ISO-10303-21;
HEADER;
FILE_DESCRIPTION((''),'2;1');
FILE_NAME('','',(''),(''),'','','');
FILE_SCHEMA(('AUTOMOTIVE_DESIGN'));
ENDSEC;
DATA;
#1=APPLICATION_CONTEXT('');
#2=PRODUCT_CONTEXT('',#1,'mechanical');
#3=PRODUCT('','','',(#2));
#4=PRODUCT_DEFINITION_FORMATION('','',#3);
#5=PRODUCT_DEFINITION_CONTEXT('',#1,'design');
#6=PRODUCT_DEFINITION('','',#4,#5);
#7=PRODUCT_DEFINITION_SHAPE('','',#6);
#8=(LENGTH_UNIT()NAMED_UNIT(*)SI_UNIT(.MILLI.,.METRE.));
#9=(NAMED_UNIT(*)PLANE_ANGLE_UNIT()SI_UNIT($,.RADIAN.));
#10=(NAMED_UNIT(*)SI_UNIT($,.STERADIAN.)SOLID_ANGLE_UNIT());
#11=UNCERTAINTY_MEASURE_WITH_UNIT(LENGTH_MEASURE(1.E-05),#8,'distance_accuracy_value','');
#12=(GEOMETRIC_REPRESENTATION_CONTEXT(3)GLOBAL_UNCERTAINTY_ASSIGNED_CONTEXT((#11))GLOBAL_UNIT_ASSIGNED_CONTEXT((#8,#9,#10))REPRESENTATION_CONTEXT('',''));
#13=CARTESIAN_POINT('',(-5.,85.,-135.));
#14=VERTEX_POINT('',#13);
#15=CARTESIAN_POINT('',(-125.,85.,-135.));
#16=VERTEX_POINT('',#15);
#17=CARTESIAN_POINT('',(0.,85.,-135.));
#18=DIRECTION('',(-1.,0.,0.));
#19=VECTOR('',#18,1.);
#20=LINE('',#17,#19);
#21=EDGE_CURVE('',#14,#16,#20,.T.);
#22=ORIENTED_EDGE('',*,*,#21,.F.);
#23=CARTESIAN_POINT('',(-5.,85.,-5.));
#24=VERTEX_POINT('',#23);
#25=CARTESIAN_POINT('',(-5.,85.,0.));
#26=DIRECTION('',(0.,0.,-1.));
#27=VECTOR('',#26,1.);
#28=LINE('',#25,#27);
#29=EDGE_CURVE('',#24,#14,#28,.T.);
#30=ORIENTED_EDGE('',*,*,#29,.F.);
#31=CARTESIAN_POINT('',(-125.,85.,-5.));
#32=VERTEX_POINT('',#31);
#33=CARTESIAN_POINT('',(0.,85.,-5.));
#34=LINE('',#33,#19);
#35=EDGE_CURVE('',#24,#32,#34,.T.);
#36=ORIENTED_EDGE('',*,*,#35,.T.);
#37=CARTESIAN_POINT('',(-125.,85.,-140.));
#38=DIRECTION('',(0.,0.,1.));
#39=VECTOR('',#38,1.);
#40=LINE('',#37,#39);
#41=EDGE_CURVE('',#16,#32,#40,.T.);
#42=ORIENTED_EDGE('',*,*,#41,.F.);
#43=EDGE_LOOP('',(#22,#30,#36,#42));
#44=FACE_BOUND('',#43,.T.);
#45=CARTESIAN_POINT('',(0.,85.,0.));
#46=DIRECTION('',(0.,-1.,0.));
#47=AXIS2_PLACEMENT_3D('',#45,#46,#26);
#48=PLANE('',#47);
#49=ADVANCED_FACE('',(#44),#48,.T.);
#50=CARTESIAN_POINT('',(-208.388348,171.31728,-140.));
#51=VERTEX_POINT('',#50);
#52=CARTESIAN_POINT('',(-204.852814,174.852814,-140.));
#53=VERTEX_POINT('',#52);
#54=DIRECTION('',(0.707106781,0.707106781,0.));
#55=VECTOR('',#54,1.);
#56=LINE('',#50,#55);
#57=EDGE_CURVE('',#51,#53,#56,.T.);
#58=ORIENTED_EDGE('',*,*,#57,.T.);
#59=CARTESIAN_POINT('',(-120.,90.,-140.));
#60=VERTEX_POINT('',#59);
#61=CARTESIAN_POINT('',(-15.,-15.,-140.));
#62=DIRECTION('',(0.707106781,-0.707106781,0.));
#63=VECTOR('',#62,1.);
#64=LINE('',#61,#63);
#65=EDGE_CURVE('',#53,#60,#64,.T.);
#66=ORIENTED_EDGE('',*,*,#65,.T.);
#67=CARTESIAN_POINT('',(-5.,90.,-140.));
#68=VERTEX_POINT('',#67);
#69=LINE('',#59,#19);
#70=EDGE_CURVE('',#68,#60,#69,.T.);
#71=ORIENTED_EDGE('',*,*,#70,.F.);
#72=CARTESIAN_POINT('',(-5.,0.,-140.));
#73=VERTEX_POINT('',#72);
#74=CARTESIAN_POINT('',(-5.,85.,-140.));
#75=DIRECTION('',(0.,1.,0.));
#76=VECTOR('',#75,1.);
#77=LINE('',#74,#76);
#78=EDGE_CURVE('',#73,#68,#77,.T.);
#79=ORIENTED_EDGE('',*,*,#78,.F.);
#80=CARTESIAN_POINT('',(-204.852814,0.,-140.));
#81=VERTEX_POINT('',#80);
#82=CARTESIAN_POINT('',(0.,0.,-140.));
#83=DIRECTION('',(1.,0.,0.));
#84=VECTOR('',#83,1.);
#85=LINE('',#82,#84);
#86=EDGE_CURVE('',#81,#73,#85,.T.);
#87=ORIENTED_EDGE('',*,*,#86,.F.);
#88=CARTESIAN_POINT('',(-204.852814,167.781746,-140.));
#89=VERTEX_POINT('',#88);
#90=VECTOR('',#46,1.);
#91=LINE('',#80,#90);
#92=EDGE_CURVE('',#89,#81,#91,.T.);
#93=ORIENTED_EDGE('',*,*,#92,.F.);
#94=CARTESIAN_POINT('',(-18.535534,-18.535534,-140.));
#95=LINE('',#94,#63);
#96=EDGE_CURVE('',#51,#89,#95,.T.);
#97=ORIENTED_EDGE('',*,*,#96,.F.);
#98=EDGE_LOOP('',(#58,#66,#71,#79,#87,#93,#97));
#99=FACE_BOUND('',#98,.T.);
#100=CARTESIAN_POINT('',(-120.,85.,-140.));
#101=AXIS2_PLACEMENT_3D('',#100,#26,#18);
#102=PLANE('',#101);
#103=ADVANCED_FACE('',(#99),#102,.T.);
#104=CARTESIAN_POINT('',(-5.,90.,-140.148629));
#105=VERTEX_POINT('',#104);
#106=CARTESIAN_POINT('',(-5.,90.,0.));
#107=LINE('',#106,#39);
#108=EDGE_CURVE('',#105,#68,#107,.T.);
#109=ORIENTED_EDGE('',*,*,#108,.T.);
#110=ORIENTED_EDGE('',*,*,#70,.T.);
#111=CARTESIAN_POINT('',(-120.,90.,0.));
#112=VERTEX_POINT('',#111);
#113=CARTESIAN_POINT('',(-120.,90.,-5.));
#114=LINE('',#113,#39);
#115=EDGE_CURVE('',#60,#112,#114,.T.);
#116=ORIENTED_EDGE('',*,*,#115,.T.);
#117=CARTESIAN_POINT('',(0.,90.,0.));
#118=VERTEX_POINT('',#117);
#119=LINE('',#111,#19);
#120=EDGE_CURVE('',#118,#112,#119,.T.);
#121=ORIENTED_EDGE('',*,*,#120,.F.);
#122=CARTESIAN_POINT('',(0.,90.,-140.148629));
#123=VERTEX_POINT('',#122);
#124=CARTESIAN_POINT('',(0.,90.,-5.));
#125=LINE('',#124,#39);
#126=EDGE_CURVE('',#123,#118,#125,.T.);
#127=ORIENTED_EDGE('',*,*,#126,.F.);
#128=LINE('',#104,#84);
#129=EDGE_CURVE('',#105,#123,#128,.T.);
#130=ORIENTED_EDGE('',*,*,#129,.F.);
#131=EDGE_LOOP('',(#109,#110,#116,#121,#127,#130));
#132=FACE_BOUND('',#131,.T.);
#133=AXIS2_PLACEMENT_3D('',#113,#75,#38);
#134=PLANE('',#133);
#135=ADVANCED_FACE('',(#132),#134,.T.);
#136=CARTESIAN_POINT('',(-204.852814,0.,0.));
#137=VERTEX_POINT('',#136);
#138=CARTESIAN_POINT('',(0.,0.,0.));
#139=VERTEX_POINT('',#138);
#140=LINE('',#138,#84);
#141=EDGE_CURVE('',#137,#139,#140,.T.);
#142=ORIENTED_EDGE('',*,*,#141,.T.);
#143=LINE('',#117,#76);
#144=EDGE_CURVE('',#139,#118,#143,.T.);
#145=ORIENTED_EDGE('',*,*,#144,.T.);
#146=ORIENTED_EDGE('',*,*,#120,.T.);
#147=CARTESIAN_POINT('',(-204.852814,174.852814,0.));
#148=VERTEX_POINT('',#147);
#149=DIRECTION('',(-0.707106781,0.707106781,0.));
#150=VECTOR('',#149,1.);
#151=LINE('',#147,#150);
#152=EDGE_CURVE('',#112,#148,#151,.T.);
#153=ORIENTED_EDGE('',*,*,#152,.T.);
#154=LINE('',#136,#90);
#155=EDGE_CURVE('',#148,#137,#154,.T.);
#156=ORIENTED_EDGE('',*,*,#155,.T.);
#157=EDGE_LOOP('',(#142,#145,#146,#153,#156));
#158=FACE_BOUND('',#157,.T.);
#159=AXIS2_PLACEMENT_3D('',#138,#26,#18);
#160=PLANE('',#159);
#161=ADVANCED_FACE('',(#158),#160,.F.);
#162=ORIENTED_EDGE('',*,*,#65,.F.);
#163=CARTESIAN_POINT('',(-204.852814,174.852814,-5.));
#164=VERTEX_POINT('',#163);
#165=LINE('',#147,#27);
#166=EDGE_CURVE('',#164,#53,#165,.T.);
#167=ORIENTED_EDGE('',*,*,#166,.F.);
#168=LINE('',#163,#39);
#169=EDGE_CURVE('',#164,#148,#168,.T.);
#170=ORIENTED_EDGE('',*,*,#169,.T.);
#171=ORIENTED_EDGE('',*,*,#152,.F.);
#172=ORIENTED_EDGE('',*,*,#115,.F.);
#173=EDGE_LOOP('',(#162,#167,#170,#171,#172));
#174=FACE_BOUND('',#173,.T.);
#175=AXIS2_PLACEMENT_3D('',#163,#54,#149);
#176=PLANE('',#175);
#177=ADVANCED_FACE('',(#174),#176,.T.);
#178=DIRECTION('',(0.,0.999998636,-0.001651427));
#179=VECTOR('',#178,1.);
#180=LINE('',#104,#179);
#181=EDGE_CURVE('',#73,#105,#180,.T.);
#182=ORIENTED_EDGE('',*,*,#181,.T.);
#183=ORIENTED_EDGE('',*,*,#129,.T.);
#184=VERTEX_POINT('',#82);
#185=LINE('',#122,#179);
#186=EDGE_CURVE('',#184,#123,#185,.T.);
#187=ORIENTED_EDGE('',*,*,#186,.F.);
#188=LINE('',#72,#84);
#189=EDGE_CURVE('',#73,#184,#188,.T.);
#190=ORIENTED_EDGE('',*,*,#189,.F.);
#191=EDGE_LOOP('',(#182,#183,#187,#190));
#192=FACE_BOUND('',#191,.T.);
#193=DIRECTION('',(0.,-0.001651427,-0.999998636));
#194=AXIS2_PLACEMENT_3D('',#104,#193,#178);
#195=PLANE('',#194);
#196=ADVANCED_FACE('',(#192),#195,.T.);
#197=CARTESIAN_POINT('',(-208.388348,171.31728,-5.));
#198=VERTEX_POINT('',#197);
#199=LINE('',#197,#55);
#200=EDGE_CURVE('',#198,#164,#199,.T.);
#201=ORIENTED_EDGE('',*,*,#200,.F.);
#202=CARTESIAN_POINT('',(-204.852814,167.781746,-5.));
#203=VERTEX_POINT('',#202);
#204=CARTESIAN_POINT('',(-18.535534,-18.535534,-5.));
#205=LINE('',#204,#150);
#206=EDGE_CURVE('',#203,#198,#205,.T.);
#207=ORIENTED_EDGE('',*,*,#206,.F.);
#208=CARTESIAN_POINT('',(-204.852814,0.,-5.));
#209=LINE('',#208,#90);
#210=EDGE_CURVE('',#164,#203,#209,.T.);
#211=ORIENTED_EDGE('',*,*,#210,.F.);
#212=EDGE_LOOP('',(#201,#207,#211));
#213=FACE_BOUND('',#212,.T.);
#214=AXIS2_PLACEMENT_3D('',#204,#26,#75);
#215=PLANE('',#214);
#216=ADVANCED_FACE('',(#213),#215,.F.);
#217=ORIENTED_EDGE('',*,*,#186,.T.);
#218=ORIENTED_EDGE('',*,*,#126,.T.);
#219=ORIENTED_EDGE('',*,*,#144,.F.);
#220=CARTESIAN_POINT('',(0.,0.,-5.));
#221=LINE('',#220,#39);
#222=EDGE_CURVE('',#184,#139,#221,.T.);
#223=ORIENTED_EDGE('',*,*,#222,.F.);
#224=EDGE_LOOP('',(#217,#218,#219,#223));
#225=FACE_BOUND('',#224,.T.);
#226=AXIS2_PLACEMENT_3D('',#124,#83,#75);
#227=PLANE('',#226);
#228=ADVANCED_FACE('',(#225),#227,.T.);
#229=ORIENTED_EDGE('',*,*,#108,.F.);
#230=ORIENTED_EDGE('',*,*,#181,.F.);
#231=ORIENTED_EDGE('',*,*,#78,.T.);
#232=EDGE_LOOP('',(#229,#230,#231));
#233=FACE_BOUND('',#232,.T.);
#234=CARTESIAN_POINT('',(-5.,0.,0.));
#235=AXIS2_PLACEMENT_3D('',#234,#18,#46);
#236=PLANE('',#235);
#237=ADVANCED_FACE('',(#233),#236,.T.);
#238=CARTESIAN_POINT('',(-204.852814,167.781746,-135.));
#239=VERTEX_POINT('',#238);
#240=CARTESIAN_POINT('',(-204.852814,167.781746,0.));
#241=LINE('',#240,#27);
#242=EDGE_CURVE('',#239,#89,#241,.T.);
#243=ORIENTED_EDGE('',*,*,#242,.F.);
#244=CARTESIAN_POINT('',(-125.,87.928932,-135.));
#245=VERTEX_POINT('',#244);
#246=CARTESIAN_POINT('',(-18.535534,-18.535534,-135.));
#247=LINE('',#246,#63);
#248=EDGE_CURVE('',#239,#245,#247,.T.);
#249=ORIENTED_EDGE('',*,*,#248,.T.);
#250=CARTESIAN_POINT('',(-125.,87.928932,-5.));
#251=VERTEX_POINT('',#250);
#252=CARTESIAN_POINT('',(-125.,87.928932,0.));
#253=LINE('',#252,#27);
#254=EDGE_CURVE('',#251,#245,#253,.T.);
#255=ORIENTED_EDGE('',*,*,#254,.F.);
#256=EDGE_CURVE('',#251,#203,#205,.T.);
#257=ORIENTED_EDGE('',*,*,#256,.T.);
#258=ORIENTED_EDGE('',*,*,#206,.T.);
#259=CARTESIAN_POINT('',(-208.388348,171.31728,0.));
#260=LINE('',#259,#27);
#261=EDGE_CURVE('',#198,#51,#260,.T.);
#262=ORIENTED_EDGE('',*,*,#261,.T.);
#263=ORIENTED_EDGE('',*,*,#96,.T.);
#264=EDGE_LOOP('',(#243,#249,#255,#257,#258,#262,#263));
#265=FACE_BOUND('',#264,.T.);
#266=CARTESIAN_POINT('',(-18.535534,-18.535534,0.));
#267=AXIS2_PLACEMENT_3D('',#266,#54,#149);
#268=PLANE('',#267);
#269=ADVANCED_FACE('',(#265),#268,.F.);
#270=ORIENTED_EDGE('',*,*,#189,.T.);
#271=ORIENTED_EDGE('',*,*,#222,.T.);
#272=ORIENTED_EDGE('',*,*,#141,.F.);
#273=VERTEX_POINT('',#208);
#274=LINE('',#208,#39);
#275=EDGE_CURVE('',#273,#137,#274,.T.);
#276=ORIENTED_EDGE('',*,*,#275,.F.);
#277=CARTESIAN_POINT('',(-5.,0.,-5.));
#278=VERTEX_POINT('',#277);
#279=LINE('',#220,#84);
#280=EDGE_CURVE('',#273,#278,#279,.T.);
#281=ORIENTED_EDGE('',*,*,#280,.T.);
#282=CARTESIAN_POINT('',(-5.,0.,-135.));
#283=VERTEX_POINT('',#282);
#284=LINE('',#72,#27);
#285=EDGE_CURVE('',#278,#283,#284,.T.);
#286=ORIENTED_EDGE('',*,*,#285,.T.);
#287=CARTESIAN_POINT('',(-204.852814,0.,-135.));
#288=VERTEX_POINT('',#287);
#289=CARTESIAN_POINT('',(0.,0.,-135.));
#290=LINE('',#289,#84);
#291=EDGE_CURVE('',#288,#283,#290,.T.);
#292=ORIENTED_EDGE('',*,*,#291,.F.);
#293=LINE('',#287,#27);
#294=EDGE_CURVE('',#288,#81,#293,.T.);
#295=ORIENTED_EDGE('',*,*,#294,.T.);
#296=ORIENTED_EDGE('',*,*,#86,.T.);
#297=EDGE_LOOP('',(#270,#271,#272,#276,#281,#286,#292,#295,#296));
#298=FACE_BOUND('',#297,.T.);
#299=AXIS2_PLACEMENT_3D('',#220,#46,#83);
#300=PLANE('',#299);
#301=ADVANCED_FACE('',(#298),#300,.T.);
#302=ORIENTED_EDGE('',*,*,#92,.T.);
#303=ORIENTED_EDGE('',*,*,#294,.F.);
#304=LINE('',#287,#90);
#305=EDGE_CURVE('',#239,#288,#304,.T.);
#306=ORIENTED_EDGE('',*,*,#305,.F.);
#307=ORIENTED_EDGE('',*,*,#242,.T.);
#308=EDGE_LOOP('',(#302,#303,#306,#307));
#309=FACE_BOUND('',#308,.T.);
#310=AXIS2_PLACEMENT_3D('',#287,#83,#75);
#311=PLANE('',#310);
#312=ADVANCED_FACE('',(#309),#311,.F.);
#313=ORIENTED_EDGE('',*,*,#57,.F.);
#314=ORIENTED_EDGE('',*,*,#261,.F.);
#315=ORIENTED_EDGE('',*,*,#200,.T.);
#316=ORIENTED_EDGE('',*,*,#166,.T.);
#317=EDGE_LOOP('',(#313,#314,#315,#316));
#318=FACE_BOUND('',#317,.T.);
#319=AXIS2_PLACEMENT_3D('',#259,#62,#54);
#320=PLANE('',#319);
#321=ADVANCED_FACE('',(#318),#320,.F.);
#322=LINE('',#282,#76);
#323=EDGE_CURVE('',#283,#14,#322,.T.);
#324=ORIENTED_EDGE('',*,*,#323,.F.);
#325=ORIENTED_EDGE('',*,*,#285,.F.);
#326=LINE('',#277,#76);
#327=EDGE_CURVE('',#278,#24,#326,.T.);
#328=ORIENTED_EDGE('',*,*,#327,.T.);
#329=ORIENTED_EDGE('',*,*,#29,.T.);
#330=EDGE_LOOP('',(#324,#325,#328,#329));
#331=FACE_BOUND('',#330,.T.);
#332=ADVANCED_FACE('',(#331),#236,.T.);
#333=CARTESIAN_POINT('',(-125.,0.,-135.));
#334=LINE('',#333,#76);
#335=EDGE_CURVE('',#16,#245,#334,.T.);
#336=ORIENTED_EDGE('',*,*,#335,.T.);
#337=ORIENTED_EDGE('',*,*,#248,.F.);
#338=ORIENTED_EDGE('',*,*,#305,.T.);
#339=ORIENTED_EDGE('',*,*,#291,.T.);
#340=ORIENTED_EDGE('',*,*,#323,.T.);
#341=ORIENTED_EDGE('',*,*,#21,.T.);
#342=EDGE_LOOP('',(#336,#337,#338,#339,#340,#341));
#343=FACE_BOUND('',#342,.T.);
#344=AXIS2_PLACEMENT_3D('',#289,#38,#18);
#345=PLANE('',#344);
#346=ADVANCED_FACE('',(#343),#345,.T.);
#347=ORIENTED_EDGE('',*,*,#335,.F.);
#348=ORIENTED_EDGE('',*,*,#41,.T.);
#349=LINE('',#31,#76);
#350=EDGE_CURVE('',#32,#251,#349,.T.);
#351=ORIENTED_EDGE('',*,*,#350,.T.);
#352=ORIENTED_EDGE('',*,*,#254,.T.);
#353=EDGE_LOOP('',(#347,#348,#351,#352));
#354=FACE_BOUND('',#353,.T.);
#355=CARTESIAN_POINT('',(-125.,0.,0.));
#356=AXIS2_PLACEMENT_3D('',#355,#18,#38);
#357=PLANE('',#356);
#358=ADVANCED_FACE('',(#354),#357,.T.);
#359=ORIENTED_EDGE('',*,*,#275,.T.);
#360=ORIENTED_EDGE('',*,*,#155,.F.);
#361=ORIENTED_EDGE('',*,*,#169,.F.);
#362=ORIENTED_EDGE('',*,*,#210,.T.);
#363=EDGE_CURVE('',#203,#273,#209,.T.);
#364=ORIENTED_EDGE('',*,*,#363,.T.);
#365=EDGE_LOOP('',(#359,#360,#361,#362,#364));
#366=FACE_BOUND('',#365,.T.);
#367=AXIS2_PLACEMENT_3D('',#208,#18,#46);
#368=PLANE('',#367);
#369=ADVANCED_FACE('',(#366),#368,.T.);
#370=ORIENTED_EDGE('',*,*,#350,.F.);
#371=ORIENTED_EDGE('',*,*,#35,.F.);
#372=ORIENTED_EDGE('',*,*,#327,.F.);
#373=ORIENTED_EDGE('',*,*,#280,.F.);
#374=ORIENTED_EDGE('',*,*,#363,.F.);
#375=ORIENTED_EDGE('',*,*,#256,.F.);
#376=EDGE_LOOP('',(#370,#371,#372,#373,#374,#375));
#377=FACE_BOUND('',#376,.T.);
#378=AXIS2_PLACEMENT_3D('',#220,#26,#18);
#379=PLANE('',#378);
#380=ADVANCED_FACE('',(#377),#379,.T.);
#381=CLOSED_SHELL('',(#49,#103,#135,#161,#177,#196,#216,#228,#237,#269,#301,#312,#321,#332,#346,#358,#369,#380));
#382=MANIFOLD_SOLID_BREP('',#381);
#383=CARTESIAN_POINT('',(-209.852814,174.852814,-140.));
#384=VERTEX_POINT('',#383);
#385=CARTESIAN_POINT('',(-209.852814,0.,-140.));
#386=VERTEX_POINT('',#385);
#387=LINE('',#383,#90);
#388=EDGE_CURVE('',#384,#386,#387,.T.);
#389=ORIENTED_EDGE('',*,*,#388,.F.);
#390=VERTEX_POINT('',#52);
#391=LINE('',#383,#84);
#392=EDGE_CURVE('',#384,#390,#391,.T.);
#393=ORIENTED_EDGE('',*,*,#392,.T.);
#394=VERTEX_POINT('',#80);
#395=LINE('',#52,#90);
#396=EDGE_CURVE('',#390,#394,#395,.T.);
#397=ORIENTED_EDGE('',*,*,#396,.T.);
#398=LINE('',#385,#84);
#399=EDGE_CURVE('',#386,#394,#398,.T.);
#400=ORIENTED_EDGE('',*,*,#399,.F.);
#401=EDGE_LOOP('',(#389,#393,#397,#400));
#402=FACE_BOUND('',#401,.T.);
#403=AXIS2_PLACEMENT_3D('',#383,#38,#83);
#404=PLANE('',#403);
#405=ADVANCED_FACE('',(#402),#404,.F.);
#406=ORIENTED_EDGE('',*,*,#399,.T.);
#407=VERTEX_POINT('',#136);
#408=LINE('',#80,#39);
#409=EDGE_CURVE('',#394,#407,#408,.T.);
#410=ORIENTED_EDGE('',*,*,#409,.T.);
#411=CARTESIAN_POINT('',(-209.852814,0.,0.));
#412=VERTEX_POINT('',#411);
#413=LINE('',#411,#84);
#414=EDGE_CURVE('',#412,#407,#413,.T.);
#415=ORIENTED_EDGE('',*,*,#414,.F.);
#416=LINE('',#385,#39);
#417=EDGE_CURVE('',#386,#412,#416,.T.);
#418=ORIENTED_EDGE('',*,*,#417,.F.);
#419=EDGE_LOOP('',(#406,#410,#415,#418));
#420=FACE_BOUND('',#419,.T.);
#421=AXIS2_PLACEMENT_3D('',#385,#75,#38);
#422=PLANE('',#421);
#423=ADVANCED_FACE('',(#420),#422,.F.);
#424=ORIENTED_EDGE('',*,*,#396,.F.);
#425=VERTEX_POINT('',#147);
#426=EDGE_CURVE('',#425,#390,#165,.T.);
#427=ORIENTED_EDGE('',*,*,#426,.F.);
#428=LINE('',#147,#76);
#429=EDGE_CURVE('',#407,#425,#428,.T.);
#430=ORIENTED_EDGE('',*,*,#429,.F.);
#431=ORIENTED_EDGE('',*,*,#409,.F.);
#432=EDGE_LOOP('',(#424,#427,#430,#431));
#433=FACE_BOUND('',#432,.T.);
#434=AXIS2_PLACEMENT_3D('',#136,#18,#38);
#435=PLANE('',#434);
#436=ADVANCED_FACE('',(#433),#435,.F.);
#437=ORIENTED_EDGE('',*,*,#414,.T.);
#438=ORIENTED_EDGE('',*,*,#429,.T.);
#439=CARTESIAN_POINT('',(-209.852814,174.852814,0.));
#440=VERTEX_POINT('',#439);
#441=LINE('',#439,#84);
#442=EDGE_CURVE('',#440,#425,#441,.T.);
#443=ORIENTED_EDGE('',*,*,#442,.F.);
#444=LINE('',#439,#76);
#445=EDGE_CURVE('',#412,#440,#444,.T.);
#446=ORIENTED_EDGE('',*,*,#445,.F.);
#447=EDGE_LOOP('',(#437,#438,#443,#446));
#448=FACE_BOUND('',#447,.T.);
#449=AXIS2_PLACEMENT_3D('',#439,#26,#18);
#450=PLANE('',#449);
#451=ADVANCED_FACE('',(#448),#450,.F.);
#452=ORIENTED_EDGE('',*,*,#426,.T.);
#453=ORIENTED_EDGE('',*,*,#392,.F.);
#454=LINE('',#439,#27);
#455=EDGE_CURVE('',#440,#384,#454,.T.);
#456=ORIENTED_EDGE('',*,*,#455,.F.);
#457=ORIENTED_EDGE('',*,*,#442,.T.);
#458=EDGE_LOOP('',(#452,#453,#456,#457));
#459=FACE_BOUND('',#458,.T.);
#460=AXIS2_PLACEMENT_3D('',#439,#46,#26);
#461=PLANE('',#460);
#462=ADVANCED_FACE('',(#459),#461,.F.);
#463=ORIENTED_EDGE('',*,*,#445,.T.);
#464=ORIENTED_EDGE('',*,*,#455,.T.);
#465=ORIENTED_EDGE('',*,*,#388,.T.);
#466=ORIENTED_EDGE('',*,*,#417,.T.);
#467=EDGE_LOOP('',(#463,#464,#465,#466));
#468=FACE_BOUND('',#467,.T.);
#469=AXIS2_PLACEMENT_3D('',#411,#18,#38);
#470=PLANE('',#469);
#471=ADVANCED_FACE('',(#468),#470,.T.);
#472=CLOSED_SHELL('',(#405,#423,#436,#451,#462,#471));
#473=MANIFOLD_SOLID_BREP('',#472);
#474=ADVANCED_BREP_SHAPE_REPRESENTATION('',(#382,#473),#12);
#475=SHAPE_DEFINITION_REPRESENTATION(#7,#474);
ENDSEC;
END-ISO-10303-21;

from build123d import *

# Parameters (mm, degrees)
BOSS_EXTRUDE1_DEPTH  = 5
SKETCH2_W            = 120
SKETCH2_H            = 140
BOSS_EXTRUDE2_DEPTH  = 5
SKETCH4_W            = 135
SKETCH4_H            = 120
BOSS_EXTRUDE6_DEPTH  = 5
SKETCH5_W            = 140
SKETCH5_H            = 174.852813742
BOSS_EXTRUDE8_DEPTH  = 5
SKETCH6_W            = 135
SKETCH6_H            = 5
BOSS_EXTRUDE9_DEPTH  = 5
BOSS_EXTRUDE10_DEPTH = 5


with BuildPart() as part:
    # Sketch1 → Boss-Extrude1 (new body)
    with BuildSketch(Plane.XY):
        Polygon((0, 0), (-204.852813742, 0), (-204.852813742, 174.852813742), (-120, 90), (0, 90), align=None)
    boss_extrude1 = extrude(amount=-BOSS_EXTRUDE1_DEPTH)

    # Sketch2 → Boss-Extrude2 (add)
    with BuildSketch(Plane(origin=(0, 90, 0), x_dir=(1, 0, 0), z_dir=(0, 1, 0))):
        with Locations((-60, 70)):
            Rectangle(SKETCH2_W, SKETCH2_H)
    extrude(amount=-BOSS_EXTRUDE2_DEPTH)



with BuildPart() as body_2:
    # Sketch4 → Boss-Extrude6 (new body)
    with BuildSketch(Plane(origin=(-15, -15, 0), x_dir=(0, 0, -1), z_dir=(0.7071067811865483, 0.7071067811865468, 0))):
        with Locations((72.5, 208.492424049)):
            Rectangle(SKETCH4_W, SKETCH4_H)
    extrude(amount=-BOSS_EXTRUDE6_DEPTH)


with BuildPart() as body_3:
    # Sketch5 → Boss-Extrude8 (new body)
    with BuildSketch(Plane.ZY.offset(204.852813742)):
        with Locations((-70, 87.426406871)):
            Rectangle(SKETCH5_W, SKETCH5_H)
    extrude(amount=BOSS_EXTRUDE8_DEPTH)


with BuildPart() as part_1:
    add(part.part)

    add(body_2.part)  # Boss-Extrude9 merges body 2
    # Sketch6 → Boss-Extrude9 (add)
    with BuildSketch(Plane.ZY.offset(120)):
        with Locations((-72.5, 87.5)):
            Rectangle(SKETCH6_W, SKETCH6_H)
    extrude(amount=BOSS_EXTRUDE9_DEPTH)

    # Sketch7 → Boss-Extrude10 (add)
    with BuildSketch(Plane(origin=(0, 0, 0), x_dir=(0, 0, -1), z_dir=(1, 0, 0))):
        Polygon((0, 90), (140.148628639, 90), (140, 0), (0, 0), align=None)
    extrude(amount=-BOSS_EXTRUDE10_DEPTH)

    # Mirror1: Boss-Extrude1 across plane
    add(boss_extrude1.mirror(Plane.XY.offset(-70)))


solid = Compound([body_3.part, part_1.part])
